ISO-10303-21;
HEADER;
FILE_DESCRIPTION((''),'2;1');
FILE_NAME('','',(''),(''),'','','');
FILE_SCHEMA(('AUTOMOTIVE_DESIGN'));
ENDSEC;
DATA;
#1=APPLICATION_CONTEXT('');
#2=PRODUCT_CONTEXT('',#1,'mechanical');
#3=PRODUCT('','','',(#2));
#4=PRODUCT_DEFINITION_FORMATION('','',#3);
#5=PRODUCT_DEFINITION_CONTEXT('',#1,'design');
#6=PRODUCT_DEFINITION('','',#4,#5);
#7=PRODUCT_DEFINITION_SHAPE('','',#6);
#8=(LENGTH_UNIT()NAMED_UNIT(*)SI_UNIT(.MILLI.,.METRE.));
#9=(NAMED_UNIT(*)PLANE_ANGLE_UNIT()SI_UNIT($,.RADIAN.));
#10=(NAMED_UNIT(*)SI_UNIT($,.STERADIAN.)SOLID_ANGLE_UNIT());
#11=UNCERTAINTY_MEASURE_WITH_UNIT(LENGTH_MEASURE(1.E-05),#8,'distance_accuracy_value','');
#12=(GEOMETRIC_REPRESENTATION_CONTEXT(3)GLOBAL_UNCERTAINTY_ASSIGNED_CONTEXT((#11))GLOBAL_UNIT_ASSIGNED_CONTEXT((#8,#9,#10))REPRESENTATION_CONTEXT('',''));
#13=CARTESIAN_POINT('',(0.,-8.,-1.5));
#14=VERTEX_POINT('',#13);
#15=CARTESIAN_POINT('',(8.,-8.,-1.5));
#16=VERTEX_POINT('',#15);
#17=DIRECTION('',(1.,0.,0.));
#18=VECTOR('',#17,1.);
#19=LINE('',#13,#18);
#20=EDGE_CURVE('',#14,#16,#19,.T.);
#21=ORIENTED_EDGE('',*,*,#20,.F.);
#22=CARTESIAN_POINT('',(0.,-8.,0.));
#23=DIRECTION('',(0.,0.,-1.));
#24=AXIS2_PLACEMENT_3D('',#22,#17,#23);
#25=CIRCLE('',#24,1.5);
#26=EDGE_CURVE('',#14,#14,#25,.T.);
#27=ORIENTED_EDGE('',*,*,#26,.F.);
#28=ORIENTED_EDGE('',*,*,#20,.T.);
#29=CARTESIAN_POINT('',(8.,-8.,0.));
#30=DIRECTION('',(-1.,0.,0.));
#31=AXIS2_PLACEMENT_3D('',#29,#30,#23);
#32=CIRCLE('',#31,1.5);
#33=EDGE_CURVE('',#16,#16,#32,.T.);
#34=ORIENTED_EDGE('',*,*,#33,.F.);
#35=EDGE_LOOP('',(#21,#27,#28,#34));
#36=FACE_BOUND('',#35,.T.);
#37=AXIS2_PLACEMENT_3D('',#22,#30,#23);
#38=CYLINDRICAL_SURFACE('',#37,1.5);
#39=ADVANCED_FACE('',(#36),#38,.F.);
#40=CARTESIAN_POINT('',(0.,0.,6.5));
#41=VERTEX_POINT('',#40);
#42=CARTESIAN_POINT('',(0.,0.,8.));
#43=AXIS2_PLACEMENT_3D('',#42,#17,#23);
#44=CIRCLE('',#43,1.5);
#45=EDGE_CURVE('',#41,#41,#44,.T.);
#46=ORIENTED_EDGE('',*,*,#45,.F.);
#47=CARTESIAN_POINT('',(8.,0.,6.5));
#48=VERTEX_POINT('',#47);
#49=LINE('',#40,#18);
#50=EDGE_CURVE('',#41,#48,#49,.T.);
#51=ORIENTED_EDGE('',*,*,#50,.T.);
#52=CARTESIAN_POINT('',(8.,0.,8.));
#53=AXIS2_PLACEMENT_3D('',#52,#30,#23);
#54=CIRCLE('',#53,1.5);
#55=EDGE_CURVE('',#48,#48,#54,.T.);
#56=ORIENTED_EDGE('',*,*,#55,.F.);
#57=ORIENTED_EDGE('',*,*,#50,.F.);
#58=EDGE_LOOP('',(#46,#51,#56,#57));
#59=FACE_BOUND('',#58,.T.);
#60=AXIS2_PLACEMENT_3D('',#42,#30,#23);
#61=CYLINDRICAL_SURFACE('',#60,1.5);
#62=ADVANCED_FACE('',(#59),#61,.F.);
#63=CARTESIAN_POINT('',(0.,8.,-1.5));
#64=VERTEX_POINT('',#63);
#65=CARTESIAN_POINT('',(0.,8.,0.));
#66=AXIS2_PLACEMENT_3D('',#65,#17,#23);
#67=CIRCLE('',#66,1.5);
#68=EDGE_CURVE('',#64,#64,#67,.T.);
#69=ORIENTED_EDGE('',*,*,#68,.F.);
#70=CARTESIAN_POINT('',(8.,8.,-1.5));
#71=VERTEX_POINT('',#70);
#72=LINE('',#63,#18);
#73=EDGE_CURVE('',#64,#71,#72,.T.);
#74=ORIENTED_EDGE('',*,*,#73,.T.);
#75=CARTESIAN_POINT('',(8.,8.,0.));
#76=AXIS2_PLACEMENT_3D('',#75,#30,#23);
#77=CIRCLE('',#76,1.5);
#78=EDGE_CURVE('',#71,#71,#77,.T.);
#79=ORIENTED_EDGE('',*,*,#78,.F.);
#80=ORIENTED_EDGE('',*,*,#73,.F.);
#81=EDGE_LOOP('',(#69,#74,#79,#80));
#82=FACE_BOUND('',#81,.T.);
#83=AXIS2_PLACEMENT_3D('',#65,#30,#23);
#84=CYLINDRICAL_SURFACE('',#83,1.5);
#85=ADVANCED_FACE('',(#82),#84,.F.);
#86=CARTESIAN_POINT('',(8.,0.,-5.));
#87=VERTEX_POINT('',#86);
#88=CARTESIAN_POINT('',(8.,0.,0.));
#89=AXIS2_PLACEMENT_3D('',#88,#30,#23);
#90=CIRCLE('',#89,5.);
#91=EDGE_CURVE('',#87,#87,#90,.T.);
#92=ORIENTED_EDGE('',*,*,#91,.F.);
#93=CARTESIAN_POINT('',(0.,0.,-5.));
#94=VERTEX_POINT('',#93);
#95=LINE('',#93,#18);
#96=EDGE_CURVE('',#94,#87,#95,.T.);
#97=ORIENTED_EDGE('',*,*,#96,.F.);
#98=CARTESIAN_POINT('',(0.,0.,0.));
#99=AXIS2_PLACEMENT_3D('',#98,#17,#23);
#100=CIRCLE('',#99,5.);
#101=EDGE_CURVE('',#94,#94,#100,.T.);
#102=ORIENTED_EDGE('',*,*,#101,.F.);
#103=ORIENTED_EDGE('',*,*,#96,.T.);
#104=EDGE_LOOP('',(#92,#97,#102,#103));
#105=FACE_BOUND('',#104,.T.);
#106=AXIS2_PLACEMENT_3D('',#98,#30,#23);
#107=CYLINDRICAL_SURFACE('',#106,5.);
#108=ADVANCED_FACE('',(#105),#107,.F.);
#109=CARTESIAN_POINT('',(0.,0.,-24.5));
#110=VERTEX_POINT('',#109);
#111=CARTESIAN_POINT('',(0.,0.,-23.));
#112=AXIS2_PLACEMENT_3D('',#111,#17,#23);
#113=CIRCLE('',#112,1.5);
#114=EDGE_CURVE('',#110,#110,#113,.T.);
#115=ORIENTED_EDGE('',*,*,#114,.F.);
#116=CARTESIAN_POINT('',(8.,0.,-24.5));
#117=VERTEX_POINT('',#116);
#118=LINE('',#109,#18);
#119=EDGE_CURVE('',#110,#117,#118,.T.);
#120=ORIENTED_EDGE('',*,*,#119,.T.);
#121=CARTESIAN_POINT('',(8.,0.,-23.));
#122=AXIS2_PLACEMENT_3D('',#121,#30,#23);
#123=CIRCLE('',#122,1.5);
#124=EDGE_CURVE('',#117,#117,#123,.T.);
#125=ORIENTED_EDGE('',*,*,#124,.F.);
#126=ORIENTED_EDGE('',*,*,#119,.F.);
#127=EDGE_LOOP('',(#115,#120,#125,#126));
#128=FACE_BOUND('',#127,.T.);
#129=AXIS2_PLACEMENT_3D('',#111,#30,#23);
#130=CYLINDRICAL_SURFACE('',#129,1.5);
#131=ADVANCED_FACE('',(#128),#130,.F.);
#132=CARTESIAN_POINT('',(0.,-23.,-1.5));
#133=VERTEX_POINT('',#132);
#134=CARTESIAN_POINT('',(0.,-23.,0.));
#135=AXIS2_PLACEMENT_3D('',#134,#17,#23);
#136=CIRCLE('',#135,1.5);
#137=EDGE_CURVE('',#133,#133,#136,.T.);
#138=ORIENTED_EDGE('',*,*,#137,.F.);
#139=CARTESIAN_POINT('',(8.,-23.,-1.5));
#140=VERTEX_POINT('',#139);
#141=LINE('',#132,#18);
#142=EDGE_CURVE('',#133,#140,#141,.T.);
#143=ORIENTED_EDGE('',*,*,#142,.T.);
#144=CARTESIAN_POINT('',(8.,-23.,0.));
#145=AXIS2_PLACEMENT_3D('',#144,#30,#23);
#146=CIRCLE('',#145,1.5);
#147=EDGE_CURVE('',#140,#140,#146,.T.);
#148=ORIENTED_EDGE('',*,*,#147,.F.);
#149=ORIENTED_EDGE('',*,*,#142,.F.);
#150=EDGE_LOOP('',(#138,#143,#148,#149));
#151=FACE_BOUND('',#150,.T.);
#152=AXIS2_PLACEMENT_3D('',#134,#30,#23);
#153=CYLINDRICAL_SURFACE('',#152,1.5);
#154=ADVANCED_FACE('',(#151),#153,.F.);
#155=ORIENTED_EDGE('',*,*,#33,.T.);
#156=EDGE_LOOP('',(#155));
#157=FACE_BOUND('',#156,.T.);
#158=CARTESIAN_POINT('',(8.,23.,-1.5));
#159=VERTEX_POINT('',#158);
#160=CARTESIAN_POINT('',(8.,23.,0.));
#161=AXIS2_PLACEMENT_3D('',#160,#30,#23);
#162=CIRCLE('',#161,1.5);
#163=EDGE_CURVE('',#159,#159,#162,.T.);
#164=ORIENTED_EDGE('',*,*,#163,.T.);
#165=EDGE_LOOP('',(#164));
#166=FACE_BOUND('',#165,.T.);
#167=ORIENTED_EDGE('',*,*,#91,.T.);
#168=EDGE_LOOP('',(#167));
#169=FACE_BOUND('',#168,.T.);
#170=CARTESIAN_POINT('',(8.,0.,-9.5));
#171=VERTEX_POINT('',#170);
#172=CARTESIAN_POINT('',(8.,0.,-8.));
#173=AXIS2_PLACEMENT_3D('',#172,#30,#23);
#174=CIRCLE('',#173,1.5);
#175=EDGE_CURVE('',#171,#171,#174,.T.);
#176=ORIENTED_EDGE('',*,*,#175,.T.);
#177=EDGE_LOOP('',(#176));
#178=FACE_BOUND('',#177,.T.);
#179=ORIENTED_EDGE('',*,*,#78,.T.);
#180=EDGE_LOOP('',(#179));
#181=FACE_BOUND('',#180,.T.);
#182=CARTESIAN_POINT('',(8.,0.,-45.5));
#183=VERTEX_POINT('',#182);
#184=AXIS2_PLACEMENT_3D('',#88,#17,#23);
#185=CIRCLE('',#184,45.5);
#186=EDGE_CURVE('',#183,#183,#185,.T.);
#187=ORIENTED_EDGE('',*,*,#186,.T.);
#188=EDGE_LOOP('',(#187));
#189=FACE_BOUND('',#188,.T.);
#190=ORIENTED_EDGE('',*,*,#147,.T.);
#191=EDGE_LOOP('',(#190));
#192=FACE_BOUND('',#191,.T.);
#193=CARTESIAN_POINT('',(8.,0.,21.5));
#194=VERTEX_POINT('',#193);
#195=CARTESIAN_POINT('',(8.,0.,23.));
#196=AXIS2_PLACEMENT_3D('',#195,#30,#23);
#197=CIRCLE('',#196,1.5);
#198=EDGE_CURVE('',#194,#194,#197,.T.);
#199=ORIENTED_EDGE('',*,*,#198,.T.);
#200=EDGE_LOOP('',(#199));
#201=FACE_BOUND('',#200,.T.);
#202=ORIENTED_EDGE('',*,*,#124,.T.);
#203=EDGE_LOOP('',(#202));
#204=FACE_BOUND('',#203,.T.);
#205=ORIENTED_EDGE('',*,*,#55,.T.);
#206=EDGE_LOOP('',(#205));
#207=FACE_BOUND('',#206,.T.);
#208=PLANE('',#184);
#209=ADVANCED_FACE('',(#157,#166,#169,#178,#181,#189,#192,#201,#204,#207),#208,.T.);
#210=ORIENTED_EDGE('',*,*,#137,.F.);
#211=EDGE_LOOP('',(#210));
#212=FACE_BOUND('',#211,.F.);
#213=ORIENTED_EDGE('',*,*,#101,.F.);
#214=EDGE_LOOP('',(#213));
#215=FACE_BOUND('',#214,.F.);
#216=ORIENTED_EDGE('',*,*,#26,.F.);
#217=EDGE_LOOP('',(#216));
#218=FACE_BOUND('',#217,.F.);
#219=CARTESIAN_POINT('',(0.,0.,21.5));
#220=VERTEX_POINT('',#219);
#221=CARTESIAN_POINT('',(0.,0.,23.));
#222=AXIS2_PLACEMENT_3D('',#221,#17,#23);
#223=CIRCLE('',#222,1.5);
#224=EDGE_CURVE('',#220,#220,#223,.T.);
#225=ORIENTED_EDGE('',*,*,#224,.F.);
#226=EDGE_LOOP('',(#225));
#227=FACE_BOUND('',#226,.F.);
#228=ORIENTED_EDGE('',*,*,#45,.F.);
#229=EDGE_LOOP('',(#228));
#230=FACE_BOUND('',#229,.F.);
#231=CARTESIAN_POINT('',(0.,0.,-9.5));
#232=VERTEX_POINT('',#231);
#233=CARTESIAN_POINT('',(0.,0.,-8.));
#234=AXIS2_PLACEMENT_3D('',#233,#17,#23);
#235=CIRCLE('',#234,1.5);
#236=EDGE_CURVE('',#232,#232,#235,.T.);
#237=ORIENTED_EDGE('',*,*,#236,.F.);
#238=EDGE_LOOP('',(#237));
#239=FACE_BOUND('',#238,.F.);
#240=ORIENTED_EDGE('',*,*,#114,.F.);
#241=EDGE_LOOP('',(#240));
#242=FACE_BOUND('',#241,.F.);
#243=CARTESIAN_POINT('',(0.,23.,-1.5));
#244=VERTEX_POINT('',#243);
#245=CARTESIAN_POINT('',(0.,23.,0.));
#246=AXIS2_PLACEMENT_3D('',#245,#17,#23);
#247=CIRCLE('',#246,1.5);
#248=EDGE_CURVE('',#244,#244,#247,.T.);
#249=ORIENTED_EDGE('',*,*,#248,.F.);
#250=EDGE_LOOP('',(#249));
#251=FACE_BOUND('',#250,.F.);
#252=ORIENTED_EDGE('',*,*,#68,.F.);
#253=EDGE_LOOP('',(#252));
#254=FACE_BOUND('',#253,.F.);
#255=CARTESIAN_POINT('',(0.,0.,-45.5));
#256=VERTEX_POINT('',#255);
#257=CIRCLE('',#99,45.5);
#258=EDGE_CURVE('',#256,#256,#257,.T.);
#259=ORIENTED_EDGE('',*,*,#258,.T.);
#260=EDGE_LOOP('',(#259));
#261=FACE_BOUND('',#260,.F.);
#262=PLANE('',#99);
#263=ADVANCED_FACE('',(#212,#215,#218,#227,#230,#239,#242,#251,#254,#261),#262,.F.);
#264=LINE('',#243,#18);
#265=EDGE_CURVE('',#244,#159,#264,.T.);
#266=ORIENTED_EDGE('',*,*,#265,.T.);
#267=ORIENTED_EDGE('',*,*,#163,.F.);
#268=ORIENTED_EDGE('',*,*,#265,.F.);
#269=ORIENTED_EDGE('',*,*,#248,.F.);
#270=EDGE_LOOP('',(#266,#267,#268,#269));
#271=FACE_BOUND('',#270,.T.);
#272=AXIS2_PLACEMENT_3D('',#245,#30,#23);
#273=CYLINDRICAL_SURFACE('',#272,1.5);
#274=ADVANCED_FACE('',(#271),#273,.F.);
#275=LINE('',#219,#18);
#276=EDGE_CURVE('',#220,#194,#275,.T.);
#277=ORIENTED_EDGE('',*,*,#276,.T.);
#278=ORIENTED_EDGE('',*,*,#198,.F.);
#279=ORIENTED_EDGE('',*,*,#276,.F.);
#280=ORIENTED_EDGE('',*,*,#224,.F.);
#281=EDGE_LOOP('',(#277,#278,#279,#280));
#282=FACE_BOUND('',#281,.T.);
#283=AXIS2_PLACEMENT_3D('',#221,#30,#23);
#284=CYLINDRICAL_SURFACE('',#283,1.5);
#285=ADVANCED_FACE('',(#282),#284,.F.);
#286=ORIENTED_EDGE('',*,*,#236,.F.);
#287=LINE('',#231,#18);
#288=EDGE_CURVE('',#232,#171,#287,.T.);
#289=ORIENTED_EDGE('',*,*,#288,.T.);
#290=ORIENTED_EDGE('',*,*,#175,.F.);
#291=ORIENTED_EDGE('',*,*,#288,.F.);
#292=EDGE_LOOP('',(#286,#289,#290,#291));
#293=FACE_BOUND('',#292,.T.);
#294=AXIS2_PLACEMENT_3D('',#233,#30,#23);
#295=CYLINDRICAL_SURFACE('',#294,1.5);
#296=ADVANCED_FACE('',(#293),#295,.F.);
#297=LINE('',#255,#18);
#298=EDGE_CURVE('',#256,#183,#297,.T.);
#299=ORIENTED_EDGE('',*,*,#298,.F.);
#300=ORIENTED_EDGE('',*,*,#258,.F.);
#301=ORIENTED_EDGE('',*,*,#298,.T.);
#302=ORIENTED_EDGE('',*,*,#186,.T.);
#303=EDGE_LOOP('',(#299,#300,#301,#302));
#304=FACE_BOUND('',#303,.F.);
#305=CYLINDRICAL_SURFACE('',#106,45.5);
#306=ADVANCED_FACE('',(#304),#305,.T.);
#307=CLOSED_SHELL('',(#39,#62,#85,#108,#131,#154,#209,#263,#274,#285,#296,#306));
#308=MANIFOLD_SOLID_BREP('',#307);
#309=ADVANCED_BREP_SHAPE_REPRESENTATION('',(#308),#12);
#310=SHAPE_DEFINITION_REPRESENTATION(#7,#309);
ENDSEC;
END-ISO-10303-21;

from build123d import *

# Parameters (mm, degrees)
SPROCKET_R                   = 45.5
ESTRUSIONE_ESTRUSIONE2_DEPTH = 8
SCHIZZO1_R                   = 5
SCHIZZO1_R_2                 = 1.5
TAGLIO_ESTRUSIONE2_DEPTH     = 9


with BuildPart() as part:
    # Sprocket → Estrusione-Estrusione2 (new body)
    with BuildSketch(Plane(origin=(0, 0, 0), x_dir=(0, 0, -1), z_dir=(1, 0, 0))):
        Circle(SPROCKET_R)
    extrude(amount=ESTRUSIONE_ESTRUSIONE2_DEPTH)

    # Schizzo1 → Taglio-Estrusione2 (cut, through all)
    with BuildSketch(Plane(origin=(0, 0, 0), x_dir=(0, 0, -1), z_dir=(1, 0, 0))):
        Circle(SCHIZZO1_R)
        with Locations((0, 23)):
            Circle(SCHIZZO1_R_2)
        with Locations((8, 0)):
            Circle(SCHIZZO1_R_2)
        with Locations((0, 8)):
            Circle(SCHIZZO1_R_2)
        with Locations((23, 0)):
            Circle(SCHIZZO1_R_2)
        with Locations((0, -8)):
            Circle(SCHIZZO1_R_2)
        with Locations((0, -23)):
            Circle(SCHIZZO1_R_2)
        with Locations((-8, 0)):
            Circle(SCHIZZO1_R_2)
        with Locations((-23, 0)):
            Circle(SCHIZZO1_R_2)
    extrude(amount=TAGLIO_ESTRUSIONE2_DEPTH, mode=Mode.SUBTRACT)


solid = part.part
